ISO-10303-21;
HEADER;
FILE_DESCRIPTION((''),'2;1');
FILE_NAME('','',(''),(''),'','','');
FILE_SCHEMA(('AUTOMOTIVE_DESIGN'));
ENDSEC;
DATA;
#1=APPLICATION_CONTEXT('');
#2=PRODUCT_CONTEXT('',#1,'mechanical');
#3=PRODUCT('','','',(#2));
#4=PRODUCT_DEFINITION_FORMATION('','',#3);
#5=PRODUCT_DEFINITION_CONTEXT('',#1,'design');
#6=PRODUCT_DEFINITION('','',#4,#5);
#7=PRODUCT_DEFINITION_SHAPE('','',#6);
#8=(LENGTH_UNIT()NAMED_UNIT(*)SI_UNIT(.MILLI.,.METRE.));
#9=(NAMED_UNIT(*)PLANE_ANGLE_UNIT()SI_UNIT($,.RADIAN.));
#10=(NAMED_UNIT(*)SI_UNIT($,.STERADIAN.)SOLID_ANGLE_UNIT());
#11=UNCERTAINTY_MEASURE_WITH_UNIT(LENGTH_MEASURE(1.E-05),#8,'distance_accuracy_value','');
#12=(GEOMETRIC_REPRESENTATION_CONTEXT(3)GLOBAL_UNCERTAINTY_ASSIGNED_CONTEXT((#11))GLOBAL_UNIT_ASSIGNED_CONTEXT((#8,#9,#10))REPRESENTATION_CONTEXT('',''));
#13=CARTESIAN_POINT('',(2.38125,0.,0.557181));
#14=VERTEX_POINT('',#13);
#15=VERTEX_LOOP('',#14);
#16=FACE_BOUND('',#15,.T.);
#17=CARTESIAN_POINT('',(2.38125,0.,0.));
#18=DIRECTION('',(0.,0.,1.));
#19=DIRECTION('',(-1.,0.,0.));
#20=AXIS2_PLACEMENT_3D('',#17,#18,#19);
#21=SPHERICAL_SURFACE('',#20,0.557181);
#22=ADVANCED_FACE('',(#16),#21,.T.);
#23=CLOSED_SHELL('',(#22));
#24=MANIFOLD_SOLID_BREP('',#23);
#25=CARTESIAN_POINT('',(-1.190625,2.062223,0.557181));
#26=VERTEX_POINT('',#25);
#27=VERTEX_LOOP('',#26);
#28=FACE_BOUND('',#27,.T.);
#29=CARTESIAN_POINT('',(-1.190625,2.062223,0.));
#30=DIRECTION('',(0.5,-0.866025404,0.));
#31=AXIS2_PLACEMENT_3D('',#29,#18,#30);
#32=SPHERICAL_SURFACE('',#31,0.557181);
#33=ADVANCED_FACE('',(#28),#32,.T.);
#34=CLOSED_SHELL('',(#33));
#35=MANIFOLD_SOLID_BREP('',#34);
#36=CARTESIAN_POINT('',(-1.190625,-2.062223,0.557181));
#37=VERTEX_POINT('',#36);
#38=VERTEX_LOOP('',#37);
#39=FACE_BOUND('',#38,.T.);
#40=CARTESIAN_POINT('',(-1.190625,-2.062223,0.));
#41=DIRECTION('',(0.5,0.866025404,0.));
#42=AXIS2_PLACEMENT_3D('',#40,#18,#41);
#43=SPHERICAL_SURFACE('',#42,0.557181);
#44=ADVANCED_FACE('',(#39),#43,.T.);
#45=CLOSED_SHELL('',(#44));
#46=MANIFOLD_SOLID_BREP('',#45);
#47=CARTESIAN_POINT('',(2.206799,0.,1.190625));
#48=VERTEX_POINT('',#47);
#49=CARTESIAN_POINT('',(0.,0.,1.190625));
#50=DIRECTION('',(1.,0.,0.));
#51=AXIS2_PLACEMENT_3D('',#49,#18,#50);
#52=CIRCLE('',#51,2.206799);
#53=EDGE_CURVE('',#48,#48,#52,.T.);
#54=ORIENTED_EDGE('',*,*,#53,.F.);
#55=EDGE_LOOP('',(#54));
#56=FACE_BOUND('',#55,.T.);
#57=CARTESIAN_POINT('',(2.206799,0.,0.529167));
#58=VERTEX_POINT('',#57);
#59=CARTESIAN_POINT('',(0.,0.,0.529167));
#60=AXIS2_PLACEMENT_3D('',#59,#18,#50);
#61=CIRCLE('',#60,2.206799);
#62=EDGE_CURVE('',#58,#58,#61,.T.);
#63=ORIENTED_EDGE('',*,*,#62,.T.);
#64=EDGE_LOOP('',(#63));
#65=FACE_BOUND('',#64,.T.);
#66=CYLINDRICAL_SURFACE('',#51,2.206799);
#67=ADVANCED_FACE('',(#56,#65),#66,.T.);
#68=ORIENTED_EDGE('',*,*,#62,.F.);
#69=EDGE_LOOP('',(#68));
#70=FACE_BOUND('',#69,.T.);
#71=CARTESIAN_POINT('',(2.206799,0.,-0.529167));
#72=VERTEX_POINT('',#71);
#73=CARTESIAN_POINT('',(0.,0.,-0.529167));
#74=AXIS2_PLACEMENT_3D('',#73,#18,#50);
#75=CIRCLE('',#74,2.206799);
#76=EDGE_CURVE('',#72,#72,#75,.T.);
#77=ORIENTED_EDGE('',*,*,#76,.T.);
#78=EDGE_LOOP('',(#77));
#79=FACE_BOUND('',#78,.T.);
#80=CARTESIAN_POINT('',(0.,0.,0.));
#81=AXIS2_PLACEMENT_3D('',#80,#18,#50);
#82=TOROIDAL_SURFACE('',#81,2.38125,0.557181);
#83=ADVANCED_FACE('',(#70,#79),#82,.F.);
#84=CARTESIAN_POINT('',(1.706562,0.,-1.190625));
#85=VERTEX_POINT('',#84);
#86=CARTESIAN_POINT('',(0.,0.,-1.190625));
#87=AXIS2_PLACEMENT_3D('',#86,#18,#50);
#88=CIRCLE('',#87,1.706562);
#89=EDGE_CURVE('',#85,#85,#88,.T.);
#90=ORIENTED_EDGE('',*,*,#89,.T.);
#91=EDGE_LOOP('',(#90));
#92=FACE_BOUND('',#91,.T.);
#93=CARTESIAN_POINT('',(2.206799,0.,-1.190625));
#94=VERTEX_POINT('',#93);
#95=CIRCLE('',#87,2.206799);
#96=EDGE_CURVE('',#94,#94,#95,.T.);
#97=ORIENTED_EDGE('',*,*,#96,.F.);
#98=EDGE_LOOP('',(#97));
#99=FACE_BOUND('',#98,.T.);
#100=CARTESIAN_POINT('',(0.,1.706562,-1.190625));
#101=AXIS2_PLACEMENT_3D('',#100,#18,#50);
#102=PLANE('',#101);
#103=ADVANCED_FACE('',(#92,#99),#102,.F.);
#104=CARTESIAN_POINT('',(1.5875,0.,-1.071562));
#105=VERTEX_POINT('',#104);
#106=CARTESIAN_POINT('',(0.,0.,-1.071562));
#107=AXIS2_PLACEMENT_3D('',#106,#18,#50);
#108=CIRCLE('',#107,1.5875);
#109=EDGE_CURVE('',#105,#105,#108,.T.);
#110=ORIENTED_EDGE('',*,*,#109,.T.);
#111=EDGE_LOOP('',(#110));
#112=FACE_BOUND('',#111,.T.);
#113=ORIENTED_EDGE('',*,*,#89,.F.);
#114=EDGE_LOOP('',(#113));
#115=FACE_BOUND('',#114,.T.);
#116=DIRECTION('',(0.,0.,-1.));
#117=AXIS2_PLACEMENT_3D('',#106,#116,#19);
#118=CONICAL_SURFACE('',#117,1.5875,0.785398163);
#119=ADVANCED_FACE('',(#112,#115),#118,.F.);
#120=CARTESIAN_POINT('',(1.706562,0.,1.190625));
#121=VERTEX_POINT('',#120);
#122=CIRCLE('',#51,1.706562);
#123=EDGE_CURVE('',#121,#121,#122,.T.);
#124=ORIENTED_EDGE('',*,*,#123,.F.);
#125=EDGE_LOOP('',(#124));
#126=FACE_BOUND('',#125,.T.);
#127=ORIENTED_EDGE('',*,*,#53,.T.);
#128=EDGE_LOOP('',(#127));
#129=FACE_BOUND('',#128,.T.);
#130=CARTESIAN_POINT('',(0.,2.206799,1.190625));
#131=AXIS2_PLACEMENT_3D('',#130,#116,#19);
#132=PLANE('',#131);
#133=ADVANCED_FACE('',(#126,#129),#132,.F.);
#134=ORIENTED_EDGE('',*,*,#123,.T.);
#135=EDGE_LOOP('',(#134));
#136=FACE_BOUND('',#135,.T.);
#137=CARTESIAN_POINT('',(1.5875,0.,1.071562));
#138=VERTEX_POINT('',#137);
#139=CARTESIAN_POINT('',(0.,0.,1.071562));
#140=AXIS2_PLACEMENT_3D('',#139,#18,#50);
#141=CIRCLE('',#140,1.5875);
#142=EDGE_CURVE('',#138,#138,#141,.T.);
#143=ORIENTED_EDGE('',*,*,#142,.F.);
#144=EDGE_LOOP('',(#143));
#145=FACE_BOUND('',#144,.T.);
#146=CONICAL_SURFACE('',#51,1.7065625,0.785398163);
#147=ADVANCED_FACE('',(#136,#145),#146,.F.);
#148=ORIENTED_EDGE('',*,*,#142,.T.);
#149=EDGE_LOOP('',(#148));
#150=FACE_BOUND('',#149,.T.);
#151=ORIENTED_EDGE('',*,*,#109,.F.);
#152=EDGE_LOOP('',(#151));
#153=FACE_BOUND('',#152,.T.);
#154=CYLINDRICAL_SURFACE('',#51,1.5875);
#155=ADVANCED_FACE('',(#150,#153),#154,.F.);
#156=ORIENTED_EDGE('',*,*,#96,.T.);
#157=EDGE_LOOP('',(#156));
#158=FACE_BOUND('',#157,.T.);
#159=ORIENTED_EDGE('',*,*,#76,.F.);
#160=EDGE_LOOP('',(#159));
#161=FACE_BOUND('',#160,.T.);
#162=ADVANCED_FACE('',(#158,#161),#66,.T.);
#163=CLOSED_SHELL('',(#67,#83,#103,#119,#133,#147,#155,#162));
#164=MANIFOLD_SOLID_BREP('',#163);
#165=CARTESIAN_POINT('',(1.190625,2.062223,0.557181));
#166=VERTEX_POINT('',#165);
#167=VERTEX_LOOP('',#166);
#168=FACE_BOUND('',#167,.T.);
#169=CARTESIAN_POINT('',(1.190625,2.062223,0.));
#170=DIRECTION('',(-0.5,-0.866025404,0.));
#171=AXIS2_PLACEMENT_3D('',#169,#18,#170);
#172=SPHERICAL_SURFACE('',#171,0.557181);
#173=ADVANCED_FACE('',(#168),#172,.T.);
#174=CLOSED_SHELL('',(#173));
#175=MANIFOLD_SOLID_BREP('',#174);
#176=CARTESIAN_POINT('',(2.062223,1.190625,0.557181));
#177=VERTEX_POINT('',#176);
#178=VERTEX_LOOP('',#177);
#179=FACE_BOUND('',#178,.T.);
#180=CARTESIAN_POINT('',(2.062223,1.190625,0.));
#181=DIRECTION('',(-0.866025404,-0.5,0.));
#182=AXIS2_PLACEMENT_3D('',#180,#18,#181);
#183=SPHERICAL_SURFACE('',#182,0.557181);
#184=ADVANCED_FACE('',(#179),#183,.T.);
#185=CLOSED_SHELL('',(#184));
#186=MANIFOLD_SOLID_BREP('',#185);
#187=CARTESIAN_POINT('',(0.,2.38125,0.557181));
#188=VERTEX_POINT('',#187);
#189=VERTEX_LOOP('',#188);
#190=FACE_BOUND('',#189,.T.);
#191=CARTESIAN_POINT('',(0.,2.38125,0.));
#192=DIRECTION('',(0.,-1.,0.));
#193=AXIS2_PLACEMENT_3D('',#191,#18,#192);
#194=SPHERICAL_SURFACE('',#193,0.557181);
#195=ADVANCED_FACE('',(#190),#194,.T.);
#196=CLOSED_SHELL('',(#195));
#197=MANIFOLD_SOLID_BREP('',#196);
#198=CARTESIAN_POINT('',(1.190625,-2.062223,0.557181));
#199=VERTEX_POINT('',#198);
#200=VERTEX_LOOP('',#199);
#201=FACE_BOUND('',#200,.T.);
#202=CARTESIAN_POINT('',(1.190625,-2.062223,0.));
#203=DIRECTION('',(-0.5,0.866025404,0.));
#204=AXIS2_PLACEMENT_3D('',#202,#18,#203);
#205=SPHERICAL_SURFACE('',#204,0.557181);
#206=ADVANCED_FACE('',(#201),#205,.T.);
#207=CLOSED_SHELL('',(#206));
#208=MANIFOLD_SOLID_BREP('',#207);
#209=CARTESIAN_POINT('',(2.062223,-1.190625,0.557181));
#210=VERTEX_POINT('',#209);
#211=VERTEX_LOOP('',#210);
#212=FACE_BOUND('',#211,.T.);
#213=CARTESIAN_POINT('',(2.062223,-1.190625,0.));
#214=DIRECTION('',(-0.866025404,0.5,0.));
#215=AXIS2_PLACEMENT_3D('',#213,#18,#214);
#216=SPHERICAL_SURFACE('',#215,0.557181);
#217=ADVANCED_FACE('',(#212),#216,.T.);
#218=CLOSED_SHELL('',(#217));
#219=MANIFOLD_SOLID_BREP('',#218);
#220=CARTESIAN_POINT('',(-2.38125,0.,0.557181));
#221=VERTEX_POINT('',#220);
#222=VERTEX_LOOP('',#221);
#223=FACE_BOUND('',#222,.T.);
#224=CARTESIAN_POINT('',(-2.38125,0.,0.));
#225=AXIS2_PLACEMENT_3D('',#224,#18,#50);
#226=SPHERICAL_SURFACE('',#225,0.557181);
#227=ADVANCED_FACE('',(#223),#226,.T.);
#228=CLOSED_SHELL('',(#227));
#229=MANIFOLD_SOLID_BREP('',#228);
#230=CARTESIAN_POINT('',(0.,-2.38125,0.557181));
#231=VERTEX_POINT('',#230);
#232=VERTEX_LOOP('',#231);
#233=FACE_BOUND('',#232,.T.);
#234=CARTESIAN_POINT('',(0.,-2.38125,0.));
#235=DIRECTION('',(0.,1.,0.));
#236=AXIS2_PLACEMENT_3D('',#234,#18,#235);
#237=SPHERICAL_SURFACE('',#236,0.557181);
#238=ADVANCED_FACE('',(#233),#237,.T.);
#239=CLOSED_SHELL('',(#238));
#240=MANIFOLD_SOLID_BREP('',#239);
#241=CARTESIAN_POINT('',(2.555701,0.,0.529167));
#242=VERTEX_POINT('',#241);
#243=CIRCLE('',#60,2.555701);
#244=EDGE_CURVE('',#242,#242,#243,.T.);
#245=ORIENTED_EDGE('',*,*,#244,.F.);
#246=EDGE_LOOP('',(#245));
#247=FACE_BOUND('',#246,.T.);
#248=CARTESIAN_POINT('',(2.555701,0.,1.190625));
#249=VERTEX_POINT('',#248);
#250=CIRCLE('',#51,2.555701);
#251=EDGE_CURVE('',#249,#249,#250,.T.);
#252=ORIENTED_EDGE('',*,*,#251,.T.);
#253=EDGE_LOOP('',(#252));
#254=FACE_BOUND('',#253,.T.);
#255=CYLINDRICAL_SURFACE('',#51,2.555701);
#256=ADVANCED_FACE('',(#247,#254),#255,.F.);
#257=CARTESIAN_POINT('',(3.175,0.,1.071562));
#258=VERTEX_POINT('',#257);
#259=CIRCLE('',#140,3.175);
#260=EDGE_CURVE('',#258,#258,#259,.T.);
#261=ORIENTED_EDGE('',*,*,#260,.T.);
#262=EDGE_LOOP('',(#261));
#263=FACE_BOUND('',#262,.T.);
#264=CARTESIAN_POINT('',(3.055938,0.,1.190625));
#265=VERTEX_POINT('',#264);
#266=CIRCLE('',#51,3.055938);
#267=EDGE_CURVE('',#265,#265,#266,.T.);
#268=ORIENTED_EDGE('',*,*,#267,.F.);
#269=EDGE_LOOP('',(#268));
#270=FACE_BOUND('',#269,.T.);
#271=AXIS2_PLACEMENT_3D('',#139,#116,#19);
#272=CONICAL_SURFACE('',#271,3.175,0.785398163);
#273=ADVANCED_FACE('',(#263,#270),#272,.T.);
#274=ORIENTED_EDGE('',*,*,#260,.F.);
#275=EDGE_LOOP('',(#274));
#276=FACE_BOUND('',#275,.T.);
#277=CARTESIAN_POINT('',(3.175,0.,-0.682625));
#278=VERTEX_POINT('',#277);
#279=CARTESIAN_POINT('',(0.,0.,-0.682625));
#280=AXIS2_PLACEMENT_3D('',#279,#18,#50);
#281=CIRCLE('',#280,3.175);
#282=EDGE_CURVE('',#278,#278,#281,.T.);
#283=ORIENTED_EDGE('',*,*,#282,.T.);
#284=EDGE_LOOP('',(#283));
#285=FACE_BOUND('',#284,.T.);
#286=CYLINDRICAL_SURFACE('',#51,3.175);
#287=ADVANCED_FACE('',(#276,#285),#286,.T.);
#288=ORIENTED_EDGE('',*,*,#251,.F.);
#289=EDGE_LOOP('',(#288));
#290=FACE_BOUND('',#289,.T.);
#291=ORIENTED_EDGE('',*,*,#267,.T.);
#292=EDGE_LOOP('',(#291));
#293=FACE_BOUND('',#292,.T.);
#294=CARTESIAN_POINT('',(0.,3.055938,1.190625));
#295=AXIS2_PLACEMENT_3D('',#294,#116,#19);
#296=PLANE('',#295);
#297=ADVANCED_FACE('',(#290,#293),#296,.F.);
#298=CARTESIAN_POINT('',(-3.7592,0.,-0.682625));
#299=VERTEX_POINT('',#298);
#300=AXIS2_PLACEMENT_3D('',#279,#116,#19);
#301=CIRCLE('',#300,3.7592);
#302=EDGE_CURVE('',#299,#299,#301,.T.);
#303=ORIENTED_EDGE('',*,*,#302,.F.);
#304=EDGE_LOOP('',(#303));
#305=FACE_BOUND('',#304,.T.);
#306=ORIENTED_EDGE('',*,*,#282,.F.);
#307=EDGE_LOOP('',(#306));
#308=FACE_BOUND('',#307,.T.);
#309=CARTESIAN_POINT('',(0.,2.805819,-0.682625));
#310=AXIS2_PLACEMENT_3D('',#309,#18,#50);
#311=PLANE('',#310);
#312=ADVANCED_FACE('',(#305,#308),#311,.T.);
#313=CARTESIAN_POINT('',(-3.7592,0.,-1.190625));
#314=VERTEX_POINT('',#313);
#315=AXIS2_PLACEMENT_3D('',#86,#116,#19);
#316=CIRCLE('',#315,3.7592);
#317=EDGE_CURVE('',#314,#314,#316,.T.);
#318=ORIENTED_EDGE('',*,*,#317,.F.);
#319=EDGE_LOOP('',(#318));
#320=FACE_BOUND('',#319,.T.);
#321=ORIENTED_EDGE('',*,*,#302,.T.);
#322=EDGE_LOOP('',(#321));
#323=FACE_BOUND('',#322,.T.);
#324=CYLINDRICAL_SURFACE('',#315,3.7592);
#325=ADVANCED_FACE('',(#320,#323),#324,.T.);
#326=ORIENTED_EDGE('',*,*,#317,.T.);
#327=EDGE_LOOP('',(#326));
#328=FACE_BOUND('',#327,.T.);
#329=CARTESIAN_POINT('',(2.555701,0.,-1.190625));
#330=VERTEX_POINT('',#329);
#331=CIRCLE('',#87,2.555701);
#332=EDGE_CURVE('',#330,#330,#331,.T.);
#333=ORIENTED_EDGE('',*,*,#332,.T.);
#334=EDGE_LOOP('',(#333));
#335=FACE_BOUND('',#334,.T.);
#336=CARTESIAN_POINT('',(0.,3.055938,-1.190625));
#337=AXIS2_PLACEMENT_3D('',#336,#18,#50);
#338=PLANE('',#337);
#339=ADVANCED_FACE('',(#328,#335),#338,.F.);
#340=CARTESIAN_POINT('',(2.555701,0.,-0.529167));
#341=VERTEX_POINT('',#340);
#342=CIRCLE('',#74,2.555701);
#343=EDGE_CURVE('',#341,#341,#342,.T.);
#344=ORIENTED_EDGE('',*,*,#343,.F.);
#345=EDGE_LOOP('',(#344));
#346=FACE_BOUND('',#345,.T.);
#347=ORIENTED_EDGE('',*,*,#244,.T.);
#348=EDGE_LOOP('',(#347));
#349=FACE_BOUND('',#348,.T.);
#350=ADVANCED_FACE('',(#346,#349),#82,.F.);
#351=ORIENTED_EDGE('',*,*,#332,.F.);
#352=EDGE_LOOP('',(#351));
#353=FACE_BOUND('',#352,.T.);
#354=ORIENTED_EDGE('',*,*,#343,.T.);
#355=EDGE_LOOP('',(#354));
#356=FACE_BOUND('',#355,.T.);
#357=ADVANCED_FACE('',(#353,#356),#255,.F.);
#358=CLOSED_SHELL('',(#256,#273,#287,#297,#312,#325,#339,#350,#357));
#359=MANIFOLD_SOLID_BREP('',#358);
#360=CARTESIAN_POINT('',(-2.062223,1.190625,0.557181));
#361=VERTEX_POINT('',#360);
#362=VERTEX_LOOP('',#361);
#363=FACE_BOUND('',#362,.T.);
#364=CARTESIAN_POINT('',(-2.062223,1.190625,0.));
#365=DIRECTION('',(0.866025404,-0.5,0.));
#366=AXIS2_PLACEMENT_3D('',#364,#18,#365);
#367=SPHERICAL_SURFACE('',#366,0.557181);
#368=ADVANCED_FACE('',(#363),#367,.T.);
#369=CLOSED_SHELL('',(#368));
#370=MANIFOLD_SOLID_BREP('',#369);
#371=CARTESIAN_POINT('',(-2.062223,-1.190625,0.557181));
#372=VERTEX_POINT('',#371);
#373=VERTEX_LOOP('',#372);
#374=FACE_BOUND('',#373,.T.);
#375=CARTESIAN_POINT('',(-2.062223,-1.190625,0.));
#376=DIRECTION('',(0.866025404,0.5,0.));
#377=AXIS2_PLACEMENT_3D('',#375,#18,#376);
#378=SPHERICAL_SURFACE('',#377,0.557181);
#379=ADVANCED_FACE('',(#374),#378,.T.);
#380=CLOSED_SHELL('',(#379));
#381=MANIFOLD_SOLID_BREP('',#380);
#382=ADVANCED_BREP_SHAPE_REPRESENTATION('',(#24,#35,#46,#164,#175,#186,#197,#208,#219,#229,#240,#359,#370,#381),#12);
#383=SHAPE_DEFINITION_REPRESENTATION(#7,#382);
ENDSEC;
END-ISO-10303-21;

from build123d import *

# Parameters (mm, degrees)
SKETCH5_W         = 0.508
SKETCH5_H         = 0.953380975
CIRPATTERN1_COUNT = 12


with BuildPart() as part:
    # Sketch1 → Revolve1 (revolve)
    with BuildSketch(Plane(origin=(0, 0, 0), x_dir=(0, 0, -1), z_dir=(1, 0, 0))):
        with BuildLine():
            Line((1.0715625, 3.175), (-1.0715625, 3.175))
            Line((-1.0715625, 3.175), (-1.190625, 3.0559375))
            Line((-1.190625, 3.0559375), (-1.190625, 2.555700549))
            Line((-1.190625, 2.555700549), (-0.529166667, 2.555700549))
            ThreePointArc((-0.529166667, 2.555700549), (0, 2.938430721), (0.529166667, 2.555700549))
            Line((0.529166667, 2.555700549), (1.190625, 2.555700549))
            Line((1.190625, 2.555700549), (1.190625, 3.0559375))
            Line((1.190625, 3.0559375), (1.0715625, 3.175))
        make_face()
    revolve(axis=Axis((0, 0, 1.190625), (0, 0, -1)))

    # Sketch5 → Revolve5 (revolve)
    with BuildSketch(Plane(origin=(0, 0, 0), x_dir=(0, 0, -1), z_dir=(1, 0, 0))):
        with Locations((0.936625, 3.282509513)):
            Rectangle(SKETCH5_W, SKETCH5_H)
    revolve(axis=Axis((0, 0, -1.190625), (0, 0, 1)))


with BuildPart() as body_2:
    # Sketch3 → Revolve3 (revolve)
    with BuildSketch(Plane(origin=(0, 0, 0), x_dir=(0, 0, -1), z_dir=(1, 0, 0))):
        with BuildLine():
            Line((-0.529166667, 2.206799451), (-1.190625, 2.206799451))
            Line((-1.190625, 2.206799451), (-1.190625, 1.7065625))
            Line((-1.190625, 1.7065625), (-1.0715625, 1.5875))
            Line((-1.0715625, 1.5875), (1.0715625, 1.5875))
            Line((1.0715625, 1.5875), (1.190625, 1.7065625))
            Line((1.190625, 1.7065625), (1.190625, 2.206799451))
            Line((1.190625, 2.206799451), (0.529166667, 2.206799451))
            ThreePointArc((0.529166667, 2.206799451), (0, 1.824069279), (-0.529166667, 2.206799451))
        make_face()
    revolve(axis=Axis((0, 0, 1.190625), (0, 0, -1)))


with BuildPart() as body_3:
    # Sketch4 → Revolve4 (revolve)
    with BuildSketch(Plane(origin=(0, 0, 0), x_dir=(0, 0, -1), z_dir=(1, 0, 0))):
        with BuildLine():
            Line((-0.557180721, 2.38125), (0.557180721, 2.38125))
            ThreePointArc((0.557180721, 2.38125), (0, 2.938430721), (-0.557180721, 2.38125))
        make_face()
    revolve(axis=Axis((0, 2.38125, 0.557180721), (0, 0, -1)))


with BuildPart() as cirpattern1_1:
    # CirPattern1: pattern copy
    add(body_3.part.rotate(Axis((0, 0, -1.190625), (0, 0, 1)), 1 * 360 / CIRPATTERN1_COUNT))


with BuildPart() as cirpattern1_2:
    # CirPattern1: pattern copy
    add(body_3.part.rotate(Axis((0, 0, -1.190625), (0, 0, 1)), 2 * 360 / CIRPATTERN1_COUNT))


with BuildPart() as cirpattern1_3:
    # CirPattern1: pattern copy
    add(body_3.part.rotate(Axis((0, 0, -1.190625), (0, 0, 1)), 3 * 360 / CIRPATTERN1_COUNT))


with BuildPart() as cirpattern1_4:
    # CirPattern1: pattern copy
    add(body_3.part.rotate(Axis((0, 0, -1.190625), (0, 0, 1)), 4 * 360 / CIRPATTERN1_COUNT))


with BuildPart() as cirpattern1_5:
    # CirPattern1: pattern copy
    add(body_3.part.rotate(Axis((0, 0, -1.190625), (0, 0, 1)), 5 * 360 / CIRPATTERN1_COUNT))


with BuildPart() as cirpattern1_6:
    # CirPattern1: pattern copy
    add(body_3.part.rotate(Axis((0, 0, -1.190625), (0, 0, 1)), 6 * 360 / CIRPATTERN1_COUNT))


with BuildPart() as cirpattern1_7:
    # CirPattern1: pattern copy
    add(body_3.part.rotate(Axis((0, 0, -1.190625), (0, 0, 1)), 7 * 360 / CIRPATTERN1_COUNT))


with BuildPart() as cirpattern1_8:
    # CirPattern1: pattern copy
    add(body_3.part.rotate(Axis((0, 0, -1.190625), (0, 0, 1)), 8 * 360 / CIRPATTERN1_COUNT))


with BuildPart() as cirpattern1_9:
    # CirPattern1: pattern copy
    add(body_3.part.rotate(Axis((0, 0, -1.190625), (0, 0, 1)), 9 * 360 / CIRPATTERN1_COUNT))


with BuildPart() as cirpattern1_10:
    # CirPattern1: pattern copy
    add(body_3.part.rotate(Axis((0, 0, -1.190625), (0, 0, 1)), 10 * 360 / CIRPATTERN1_COUNT))


with BuildPart() as cirpattern1_11:
    # CirPattern1: pattern copy
    add(body_3.part.rotate(Axis((0, 0, -1.190625), (0, 0, 1)), 11 * 360 / CIRPATTERN1_COUNT))


solid = Compound([part.part, body_2.part, body_3.part, cirpattern1_1.part, cirpattern1_2.part, cirpattern1_3.part, cirpattern1_4.part, cirpattern1_5.part, cirpattern1_6.part, cirpattern1_7.part, cirpattern1_8.part, cirpattern1_9.part, cirpattern1_10.part, cirpattern1_11.part])
